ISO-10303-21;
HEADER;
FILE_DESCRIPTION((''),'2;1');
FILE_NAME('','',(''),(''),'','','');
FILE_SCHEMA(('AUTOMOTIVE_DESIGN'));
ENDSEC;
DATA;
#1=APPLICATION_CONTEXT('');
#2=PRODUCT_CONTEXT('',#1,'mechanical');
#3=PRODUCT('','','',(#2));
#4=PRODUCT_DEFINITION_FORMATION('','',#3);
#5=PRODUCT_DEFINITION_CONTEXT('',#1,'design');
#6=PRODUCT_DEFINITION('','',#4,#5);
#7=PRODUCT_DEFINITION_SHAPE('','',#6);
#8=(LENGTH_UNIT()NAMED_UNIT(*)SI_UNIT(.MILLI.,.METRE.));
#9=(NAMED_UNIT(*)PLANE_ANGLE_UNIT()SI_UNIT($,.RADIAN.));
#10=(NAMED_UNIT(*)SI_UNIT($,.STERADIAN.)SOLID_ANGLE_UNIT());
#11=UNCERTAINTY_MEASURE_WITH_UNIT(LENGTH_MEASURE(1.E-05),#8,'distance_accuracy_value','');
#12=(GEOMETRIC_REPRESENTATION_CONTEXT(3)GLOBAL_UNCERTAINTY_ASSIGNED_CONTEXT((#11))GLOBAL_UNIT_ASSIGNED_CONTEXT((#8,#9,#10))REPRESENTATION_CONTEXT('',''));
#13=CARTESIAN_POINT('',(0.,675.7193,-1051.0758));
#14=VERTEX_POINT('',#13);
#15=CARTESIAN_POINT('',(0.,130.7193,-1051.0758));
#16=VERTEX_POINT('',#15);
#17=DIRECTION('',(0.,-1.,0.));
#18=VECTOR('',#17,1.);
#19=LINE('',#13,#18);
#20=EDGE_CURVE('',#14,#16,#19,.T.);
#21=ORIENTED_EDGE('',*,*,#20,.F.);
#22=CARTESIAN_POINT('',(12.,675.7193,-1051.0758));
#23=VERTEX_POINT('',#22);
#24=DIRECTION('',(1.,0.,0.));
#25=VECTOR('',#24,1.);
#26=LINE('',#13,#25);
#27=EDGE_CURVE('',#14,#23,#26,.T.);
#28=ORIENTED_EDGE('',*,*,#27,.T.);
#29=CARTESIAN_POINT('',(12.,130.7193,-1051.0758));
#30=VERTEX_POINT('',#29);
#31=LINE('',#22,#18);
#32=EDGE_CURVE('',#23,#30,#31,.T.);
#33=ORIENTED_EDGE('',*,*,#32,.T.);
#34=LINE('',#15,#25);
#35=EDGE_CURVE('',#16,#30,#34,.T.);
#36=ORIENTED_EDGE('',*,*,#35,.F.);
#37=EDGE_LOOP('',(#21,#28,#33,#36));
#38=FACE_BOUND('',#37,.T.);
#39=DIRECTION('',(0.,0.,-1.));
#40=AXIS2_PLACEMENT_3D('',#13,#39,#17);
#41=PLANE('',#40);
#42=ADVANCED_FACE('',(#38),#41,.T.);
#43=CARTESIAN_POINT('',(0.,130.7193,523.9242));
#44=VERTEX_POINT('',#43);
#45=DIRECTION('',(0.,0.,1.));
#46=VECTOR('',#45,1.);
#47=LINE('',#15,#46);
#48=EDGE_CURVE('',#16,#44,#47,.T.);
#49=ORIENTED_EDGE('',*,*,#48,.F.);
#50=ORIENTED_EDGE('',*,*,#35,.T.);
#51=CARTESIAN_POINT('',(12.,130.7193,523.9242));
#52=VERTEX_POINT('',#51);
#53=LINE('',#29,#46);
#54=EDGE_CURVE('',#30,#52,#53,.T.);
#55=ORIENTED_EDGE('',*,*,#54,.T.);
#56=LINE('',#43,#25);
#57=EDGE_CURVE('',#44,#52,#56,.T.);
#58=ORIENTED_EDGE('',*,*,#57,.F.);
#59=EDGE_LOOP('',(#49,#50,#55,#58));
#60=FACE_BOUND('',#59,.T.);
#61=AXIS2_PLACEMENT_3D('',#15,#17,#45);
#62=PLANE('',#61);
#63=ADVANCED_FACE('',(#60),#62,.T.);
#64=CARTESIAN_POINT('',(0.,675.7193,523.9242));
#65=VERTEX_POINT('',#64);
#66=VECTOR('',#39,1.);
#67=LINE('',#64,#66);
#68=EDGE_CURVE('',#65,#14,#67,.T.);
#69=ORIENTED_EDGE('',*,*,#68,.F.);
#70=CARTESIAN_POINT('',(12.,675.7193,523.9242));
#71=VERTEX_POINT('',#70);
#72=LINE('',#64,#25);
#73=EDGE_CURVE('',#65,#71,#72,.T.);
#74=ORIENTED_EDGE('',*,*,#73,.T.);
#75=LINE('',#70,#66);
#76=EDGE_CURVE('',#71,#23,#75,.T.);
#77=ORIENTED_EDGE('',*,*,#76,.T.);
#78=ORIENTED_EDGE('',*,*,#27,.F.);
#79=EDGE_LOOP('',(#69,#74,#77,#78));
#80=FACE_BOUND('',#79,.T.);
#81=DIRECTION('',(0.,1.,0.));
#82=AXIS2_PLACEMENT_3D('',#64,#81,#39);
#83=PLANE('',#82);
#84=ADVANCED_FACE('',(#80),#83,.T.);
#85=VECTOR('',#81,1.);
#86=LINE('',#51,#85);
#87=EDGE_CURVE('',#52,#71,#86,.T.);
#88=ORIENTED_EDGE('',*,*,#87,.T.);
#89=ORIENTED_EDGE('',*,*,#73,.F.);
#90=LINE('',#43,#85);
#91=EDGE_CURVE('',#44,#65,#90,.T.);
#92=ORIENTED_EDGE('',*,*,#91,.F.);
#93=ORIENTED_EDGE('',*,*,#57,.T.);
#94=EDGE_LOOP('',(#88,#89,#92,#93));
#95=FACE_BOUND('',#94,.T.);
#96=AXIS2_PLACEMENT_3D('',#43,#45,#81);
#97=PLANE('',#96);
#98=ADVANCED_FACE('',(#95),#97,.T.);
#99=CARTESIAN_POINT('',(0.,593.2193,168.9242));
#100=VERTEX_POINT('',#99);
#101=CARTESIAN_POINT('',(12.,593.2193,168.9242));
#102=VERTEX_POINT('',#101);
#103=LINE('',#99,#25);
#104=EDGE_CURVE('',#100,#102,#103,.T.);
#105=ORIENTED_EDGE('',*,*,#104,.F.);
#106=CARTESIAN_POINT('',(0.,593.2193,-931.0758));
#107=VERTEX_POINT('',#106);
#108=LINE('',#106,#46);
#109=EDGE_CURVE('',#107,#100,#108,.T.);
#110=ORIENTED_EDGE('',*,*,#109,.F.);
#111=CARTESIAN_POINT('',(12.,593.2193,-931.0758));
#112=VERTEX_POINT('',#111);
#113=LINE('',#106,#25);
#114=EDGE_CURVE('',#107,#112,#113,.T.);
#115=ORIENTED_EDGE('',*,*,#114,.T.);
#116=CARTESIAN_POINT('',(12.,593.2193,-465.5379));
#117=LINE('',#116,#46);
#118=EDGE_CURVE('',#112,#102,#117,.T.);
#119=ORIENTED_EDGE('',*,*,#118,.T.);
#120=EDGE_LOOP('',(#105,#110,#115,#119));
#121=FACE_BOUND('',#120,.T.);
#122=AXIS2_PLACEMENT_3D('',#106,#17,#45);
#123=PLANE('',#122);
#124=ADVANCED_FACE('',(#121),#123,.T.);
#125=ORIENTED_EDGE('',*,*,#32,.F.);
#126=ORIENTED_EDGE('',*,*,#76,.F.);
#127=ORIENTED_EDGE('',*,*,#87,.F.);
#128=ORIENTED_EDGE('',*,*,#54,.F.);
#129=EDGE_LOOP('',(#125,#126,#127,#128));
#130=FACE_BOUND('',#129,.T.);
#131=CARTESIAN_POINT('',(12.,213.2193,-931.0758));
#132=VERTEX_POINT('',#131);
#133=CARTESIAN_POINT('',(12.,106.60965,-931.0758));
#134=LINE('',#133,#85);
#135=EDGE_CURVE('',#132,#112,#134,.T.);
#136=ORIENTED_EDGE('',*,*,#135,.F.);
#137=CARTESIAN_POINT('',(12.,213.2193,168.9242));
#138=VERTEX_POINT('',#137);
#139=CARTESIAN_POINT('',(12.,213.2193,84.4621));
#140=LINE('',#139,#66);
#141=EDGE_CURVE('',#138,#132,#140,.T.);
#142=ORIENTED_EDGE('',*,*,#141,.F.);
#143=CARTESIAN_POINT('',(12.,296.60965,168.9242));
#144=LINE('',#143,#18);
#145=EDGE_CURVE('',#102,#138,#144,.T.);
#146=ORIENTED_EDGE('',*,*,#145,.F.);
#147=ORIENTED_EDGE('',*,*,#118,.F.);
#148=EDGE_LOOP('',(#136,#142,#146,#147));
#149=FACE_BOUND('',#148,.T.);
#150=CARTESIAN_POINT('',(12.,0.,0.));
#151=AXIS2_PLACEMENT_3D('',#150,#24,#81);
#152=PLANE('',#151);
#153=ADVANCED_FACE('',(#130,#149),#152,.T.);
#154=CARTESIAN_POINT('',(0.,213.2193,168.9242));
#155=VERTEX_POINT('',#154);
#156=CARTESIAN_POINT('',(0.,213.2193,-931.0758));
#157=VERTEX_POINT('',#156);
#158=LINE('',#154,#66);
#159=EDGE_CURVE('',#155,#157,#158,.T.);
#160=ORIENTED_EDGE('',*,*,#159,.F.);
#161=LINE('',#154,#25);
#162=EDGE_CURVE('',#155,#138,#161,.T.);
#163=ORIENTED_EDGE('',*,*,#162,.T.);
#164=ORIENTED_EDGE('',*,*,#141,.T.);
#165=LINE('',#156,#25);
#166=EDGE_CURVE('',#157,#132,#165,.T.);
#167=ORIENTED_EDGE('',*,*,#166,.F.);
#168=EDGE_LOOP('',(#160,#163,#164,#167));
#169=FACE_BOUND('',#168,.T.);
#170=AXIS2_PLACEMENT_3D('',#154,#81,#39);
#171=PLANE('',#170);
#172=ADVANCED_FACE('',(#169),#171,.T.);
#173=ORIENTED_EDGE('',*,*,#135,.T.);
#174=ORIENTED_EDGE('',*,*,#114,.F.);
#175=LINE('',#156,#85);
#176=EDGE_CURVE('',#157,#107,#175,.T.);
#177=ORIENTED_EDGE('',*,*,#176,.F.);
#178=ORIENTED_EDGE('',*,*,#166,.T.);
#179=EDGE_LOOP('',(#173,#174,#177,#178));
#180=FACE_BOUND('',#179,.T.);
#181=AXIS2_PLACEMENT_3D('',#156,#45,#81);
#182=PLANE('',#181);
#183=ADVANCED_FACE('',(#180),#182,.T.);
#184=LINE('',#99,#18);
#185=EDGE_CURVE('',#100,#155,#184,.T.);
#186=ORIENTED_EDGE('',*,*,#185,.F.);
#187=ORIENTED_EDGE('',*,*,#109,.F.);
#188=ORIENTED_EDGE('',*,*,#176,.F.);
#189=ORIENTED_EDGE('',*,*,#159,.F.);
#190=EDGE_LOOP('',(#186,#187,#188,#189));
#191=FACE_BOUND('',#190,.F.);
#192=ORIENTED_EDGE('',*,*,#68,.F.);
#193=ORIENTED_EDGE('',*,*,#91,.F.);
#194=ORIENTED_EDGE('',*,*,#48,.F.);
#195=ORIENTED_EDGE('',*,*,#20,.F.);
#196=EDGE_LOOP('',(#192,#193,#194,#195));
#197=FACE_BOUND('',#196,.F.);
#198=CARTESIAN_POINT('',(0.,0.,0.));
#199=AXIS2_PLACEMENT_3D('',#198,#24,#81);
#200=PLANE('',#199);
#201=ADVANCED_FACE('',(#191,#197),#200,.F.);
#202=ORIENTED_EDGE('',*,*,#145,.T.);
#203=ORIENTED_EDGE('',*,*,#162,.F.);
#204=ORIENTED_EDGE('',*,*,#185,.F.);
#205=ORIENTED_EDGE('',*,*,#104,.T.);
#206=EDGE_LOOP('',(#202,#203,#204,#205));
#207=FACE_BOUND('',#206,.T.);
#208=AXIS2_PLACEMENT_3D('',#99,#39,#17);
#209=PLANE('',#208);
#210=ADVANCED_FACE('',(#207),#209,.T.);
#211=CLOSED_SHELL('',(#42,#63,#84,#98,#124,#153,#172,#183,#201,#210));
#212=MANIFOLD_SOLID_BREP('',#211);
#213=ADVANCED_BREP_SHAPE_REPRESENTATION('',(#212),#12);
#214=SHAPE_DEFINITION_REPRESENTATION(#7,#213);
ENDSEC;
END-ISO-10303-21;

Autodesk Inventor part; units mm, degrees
ref_plane "YZ Plane" through (0, 0, 0) normal (1, 0, 0) x (0, 1, 0)
ref_plane "XZ Plane" through (0, 0, 0) normal (0, 1, 0) x (-1, 0, 0)
ref_plane "XY Plane" through (0, 0, 0) normal (0, 0, 1) x (1, 0, 0)
sketch "Sketch1" plane through (0, 0, 0) normal (1, 0, 0) x (0, 1, 0)
  line L0 (130.7193, 523.9242) -> (675.7193, 523.9242)
  line L1 (675.7193, 523.9242) -> (675.7193, -1051.0758)
  line L2 (675.7193, -1051.0758) -> (130.7193, -1051.0758)
  line L3 (130.7193, -1051.0758) -> (130.7193, 523.9242)
  line L4 (213.2193, -931.0758) -> (593.2193, -931.0758)
  line L5 (593.2193, -931.0758) -> (593.2193, 168.9242)
  line L6 (593.2193, 168.9242) -> (213.2193, 168.9242)
  line L7 (213.2193, 168.9242) -> (213.2193, -931.0758)
  point P0 (0, 0)
  dimension "b" = 545
  dimension "d1" = 1575
  dimension "d4" = 380
  dimension "d5" = 82.5
  dimension "d6" = 1100
  dimension "d8" = 120
extrude "Extrusion1" add sketch "Sketch1" along normal blind 12 contours L0 L1 L2 L3 | L7 L6 L5 L4
extrude "Extrusion2" cut sketch "Sketch1" along normal up to next contours L7 L6 L5 L4
equation "\"d5\" = -0.5 * d4 + 0.5 * b"
properties part number "CUT PART G-01" material "Wood (Birch)"
